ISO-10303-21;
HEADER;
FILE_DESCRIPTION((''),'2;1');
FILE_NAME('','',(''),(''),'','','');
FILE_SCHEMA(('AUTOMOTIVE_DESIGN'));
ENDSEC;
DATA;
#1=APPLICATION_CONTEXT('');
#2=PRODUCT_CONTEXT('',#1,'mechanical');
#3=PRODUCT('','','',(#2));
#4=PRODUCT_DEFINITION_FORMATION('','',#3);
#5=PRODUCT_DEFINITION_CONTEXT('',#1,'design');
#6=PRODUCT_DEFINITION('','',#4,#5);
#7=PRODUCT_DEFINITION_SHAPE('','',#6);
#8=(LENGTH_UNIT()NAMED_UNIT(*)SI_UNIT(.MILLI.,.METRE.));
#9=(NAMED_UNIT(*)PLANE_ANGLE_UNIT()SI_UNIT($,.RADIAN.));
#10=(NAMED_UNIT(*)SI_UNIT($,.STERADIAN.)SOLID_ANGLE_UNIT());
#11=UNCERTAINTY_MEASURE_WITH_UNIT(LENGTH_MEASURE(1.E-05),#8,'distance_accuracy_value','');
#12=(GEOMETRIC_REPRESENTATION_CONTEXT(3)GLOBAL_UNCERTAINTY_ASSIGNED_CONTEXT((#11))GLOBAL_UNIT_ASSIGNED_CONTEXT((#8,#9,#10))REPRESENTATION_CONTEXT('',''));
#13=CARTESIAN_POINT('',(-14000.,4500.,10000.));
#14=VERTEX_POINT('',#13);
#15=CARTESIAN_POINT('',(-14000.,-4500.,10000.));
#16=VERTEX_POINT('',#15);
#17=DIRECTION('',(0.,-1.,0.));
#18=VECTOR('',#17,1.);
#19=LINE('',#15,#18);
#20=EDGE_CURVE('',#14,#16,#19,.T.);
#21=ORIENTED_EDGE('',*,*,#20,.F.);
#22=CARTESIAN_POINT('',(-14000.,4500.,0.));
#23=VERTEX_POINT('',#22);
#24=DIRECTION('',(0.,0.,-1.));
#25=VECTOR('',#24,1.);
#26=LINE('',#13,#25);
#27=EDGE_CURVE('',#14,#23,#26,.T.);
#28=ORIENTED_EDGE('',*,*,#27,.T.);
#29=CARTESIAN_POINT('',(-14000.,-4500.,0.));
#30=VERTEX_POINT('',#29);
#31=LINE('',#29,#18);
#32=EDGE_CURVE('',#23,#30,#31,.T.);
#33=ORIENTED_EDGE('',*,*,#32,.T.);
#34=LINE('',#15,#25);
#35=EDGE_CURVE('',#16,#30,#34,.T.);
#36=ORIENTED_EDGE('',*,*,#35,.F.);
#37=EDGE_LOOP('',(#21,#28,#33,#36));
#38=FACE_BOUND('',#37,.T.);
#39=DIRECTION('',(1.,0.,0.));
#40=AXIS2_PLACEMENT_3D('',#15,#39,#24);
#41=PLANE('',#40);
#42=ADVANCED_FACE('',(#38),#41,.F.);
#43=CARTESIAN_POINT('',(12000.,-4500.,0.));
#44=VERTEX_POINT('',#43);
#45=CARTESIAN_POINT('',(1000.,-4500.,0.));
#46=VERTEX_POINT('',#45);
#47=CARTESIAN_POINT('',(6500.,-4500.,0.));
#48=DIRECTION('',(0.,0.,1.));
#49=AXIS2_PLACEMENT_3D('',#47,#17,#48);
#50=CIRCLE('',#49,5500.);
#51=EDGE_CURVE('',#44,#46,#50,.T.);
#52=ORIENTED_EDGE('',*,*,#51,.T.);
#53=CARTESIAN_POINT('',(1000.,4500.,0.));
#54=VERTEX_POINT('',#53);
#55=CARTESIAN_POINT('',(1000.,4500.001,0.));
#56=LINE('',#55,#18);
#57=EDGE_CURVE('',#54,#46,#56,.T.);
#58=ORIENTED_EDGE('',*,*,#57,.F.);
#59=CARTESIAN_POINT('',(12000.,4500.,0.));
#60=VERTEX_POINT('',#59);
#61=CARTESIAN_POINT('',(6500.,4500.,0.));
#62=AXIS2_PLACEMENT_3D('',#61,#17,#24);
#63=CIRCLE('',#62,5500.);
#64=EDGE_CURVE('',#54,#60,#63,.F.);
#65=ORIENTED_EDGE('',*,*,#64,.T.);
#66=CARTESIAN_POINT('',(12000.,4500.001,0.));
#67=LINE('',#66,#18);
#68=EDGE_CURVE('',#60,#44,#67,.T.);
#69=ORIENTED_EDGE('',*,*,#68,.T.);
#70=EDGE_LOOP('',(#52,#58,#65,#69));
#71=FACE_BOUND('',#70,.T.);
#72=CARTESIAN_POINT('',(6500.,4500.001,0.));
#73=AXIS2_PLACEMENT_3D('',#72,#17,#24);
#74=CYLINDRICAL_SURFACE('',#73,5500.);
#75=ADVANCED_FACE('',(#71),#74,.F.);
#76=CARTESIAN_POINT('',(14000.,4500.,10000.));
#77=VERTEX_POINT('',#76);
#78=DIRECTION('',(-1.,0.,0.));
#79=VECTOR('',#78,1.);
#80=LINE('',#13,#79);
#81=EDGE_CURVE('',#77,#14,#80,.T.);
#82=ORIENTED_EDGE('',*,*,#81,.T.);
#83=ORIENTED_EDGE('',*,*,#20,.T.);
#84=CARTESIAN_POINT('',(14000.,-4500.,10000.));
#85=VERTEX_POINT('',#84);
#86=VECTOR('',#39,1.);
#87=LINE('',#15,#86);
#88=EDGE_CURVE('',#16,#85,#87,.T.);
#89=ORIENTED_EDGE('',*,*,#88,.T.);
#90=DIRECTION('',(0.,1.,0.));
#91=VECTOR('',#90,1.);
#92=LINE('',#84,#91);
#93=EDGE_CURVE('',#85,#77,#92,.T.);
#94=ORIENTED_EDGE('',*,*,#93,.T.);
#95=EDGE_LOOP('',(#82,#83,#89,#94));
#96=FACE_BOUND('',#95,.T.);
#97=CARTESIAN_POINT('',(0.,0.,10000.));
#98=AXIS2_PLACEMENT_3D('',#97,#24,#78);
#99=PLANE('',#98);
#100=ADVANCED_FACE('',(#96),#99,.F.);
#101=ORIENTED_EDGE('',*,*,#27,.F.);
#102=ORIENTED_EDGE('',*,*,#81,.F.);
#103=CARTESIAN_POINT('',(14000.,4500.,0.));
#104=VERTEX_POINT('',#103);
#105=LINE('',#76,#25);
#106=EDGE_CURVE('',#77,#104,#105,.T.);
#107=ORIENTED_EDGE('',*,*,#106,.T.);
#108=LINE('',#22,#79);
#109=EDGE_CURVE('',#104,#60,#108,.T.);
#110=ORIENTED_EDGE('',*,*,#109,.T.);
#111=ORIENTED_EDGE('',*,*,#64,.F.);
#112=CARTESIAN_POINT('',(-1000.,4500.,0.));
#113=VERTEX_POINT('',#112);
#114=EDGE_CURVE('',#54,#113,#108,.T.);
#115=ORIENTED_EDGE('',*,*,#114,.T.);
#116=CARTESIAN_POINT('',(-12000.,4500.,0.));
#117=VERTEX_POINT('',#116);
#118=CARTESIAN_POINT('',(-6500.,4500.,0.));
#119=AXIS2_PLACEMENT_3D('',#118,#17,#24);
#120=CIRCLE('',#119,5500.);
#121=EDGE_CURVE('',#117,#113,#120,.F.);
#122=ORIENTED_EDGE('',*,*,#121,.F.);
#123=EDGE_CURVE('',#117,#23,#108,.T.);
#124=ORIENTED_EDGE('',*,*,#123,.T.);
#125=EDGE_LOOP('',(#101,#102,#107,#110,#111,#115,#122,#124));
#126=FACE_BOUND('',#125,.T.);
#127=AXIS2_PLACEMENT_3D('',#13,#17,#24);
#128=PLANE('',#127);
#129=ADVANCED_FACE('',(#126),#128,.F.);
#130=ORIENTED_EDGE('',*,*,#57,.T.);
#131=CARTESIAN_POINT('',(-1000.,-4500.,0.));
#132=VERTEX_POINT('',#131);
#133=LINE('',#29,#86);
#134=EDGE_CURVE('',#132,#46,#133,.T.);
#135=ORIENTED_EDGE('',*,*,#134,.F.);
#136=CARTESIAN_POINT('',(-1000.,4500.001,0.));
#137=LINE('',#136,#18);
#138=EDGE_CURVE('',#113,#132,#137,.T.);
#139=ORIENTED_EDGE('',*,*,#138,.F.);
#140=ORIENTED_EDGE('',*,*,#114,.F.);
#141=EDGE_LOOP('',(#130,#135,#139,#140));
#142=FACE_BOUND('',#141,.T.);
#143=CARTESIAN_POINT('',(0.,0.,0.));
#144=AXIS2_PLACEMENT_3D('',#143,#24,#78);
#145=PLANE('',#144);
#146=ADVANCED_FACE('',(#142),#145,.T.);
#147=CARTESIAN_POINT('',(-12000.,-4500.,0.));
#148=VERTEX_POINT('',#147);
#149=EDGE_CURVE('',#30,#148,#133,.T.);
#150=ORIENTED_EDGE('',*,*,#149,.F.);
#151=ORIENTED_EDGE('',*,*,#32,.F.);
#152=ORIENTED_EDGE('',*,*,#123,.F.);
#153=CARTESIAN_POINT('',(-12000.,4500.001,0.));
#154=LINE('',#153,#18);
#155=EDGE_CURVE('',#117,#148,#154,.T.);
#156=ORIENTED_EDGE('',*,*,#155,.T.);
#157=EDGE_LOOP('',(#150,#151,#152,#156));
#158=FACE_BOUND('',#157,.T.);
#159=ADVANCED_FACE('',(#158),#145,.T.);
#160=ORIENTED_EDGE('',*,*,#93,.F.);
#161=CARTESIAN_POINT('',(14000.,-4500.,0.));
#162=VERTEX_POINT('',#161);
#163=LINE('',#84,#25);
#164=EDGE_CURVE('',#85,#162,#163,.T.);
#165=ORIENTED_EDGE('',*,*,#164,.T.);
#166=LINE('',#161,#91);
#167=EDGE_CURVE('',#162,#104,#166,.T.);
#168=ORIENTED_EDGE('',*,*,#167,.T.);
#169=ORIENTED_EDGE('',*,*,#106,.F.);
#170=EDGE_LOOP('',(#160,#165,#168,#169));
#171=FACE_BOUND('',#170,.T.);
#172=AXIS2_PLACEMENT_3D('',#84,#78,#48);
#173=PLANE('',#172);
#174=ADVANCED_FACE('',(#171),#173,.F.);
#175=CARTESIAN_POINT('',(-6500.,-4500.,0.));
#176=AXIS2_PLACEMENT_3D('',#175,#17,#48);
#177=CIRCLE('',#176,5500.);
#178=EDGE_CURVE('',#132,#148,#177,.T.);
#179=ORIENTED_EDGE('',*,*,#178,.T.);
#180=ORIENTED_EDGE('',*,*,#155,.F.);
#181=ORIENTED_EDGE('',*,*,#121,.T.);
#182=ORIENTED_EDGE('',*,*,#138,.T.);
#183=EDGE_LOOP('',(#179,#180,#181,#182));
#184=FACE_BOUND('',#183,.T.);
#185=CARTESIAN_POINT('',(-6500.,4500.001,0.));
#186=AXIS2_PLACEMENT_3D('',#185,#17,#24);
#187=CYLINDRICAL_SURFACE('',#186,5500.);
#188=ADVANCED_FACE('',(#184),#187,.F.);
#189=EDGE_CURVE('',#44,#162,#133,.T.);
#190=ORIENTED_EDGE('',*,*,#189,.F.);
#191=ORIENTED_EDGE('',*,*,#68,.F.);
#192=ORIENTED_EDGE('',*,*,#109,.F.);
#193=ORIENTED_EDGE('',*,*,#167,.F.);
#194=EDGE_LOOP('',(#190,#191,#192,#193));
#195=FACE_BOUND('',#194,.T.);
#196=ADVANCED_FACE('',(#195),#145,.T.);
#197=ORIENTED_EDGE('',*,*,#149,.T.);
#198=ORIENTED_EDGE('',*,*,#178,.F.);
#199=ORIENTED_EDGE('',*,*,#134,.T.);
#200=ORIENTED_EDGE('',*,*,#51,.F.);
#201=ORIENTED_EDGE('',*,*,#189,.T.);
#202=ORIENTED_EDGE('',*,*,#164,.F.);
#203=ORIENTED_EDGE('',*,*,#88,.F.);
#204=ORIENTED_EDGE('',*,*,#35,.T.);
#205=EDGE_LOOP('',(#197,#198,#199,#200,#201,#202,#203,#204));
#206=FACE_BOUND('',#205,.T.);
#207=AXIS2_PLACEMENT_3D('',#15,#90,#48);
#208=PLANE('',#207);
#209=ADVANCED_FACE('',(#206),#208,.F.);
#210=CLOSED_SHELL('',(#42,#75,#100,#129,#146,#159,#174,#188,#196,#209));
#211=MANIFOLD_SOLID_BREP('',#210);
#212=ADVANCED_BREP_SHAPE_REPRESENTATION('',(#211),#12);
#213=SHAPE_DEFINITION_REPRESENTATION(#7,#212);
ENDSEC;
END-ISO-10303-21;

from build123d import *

# Parameters (mm, degrees)
SKETCH1_W           = 28000
SKETCH1_H           = 9000
BOSS_EXTRUDE1_DEPTH = 10000
CUT_EXTRUDE1_REACH  = 19418.488


with BuildPart() as part:
    # Sketch1 → Boss-Extrude1 (new body)
    with BuildSketch(Plane.XY):
        Rectangle(SKETCH1_W, SKETCH1_H)
    extrude(amount=BOSS_EXTRUDE1_DEPTH)

    # Sketch2 → Cut-Extrude1 (cut, up to next)
    with BuildSketch(Plane.XZ.offset(4500), mode=Mode.PRIVATE) as cut_extrude1_sk1:
        with BuildLine():
            Line((-12000, 0), (-1000, 0))
            ThreePointArc((-1000, 0), (-6500, 5500), (-12000, 0))
        make_face()
    cut_extrude1_tool1 = extrude(cut_extrude1_sk1.sketch, amount=-CUT_EXTRUDE1_REACH, mode=Mode.PRIVATE) & part.part
    # Sketch2 → Cut-Extrude1 (cut, up to next)
    with BuildSketch(Plane.XZ.offset(4500), mode=Mode.PRIVATE) as cut_extrude1_sk2:
        with BuildLine():
            Line((1000, 0), (12000, 0))
            ThreePointArc((12000, 0), (6500, 5500), (1000, 0))
        make_face()
    cut_extrude1_tool2 = extrude(cut_extrude1_sk2.sketch, amount=-CUT_EXTRUDE1_REACH, mode=Mode.PRIVATE) & part.part
    add(cut_extrude1_tool1.solids().sort_by_distance((-6500, -4500, 2334.272499))[0], mode=Mode.SUBTRACT)
    add(cut_extrude1_tool2.solids().sort_by_distance((6500, -4500, 2334.272499))[0], mode=Mode.SUBTRACT)


solid = part.part
